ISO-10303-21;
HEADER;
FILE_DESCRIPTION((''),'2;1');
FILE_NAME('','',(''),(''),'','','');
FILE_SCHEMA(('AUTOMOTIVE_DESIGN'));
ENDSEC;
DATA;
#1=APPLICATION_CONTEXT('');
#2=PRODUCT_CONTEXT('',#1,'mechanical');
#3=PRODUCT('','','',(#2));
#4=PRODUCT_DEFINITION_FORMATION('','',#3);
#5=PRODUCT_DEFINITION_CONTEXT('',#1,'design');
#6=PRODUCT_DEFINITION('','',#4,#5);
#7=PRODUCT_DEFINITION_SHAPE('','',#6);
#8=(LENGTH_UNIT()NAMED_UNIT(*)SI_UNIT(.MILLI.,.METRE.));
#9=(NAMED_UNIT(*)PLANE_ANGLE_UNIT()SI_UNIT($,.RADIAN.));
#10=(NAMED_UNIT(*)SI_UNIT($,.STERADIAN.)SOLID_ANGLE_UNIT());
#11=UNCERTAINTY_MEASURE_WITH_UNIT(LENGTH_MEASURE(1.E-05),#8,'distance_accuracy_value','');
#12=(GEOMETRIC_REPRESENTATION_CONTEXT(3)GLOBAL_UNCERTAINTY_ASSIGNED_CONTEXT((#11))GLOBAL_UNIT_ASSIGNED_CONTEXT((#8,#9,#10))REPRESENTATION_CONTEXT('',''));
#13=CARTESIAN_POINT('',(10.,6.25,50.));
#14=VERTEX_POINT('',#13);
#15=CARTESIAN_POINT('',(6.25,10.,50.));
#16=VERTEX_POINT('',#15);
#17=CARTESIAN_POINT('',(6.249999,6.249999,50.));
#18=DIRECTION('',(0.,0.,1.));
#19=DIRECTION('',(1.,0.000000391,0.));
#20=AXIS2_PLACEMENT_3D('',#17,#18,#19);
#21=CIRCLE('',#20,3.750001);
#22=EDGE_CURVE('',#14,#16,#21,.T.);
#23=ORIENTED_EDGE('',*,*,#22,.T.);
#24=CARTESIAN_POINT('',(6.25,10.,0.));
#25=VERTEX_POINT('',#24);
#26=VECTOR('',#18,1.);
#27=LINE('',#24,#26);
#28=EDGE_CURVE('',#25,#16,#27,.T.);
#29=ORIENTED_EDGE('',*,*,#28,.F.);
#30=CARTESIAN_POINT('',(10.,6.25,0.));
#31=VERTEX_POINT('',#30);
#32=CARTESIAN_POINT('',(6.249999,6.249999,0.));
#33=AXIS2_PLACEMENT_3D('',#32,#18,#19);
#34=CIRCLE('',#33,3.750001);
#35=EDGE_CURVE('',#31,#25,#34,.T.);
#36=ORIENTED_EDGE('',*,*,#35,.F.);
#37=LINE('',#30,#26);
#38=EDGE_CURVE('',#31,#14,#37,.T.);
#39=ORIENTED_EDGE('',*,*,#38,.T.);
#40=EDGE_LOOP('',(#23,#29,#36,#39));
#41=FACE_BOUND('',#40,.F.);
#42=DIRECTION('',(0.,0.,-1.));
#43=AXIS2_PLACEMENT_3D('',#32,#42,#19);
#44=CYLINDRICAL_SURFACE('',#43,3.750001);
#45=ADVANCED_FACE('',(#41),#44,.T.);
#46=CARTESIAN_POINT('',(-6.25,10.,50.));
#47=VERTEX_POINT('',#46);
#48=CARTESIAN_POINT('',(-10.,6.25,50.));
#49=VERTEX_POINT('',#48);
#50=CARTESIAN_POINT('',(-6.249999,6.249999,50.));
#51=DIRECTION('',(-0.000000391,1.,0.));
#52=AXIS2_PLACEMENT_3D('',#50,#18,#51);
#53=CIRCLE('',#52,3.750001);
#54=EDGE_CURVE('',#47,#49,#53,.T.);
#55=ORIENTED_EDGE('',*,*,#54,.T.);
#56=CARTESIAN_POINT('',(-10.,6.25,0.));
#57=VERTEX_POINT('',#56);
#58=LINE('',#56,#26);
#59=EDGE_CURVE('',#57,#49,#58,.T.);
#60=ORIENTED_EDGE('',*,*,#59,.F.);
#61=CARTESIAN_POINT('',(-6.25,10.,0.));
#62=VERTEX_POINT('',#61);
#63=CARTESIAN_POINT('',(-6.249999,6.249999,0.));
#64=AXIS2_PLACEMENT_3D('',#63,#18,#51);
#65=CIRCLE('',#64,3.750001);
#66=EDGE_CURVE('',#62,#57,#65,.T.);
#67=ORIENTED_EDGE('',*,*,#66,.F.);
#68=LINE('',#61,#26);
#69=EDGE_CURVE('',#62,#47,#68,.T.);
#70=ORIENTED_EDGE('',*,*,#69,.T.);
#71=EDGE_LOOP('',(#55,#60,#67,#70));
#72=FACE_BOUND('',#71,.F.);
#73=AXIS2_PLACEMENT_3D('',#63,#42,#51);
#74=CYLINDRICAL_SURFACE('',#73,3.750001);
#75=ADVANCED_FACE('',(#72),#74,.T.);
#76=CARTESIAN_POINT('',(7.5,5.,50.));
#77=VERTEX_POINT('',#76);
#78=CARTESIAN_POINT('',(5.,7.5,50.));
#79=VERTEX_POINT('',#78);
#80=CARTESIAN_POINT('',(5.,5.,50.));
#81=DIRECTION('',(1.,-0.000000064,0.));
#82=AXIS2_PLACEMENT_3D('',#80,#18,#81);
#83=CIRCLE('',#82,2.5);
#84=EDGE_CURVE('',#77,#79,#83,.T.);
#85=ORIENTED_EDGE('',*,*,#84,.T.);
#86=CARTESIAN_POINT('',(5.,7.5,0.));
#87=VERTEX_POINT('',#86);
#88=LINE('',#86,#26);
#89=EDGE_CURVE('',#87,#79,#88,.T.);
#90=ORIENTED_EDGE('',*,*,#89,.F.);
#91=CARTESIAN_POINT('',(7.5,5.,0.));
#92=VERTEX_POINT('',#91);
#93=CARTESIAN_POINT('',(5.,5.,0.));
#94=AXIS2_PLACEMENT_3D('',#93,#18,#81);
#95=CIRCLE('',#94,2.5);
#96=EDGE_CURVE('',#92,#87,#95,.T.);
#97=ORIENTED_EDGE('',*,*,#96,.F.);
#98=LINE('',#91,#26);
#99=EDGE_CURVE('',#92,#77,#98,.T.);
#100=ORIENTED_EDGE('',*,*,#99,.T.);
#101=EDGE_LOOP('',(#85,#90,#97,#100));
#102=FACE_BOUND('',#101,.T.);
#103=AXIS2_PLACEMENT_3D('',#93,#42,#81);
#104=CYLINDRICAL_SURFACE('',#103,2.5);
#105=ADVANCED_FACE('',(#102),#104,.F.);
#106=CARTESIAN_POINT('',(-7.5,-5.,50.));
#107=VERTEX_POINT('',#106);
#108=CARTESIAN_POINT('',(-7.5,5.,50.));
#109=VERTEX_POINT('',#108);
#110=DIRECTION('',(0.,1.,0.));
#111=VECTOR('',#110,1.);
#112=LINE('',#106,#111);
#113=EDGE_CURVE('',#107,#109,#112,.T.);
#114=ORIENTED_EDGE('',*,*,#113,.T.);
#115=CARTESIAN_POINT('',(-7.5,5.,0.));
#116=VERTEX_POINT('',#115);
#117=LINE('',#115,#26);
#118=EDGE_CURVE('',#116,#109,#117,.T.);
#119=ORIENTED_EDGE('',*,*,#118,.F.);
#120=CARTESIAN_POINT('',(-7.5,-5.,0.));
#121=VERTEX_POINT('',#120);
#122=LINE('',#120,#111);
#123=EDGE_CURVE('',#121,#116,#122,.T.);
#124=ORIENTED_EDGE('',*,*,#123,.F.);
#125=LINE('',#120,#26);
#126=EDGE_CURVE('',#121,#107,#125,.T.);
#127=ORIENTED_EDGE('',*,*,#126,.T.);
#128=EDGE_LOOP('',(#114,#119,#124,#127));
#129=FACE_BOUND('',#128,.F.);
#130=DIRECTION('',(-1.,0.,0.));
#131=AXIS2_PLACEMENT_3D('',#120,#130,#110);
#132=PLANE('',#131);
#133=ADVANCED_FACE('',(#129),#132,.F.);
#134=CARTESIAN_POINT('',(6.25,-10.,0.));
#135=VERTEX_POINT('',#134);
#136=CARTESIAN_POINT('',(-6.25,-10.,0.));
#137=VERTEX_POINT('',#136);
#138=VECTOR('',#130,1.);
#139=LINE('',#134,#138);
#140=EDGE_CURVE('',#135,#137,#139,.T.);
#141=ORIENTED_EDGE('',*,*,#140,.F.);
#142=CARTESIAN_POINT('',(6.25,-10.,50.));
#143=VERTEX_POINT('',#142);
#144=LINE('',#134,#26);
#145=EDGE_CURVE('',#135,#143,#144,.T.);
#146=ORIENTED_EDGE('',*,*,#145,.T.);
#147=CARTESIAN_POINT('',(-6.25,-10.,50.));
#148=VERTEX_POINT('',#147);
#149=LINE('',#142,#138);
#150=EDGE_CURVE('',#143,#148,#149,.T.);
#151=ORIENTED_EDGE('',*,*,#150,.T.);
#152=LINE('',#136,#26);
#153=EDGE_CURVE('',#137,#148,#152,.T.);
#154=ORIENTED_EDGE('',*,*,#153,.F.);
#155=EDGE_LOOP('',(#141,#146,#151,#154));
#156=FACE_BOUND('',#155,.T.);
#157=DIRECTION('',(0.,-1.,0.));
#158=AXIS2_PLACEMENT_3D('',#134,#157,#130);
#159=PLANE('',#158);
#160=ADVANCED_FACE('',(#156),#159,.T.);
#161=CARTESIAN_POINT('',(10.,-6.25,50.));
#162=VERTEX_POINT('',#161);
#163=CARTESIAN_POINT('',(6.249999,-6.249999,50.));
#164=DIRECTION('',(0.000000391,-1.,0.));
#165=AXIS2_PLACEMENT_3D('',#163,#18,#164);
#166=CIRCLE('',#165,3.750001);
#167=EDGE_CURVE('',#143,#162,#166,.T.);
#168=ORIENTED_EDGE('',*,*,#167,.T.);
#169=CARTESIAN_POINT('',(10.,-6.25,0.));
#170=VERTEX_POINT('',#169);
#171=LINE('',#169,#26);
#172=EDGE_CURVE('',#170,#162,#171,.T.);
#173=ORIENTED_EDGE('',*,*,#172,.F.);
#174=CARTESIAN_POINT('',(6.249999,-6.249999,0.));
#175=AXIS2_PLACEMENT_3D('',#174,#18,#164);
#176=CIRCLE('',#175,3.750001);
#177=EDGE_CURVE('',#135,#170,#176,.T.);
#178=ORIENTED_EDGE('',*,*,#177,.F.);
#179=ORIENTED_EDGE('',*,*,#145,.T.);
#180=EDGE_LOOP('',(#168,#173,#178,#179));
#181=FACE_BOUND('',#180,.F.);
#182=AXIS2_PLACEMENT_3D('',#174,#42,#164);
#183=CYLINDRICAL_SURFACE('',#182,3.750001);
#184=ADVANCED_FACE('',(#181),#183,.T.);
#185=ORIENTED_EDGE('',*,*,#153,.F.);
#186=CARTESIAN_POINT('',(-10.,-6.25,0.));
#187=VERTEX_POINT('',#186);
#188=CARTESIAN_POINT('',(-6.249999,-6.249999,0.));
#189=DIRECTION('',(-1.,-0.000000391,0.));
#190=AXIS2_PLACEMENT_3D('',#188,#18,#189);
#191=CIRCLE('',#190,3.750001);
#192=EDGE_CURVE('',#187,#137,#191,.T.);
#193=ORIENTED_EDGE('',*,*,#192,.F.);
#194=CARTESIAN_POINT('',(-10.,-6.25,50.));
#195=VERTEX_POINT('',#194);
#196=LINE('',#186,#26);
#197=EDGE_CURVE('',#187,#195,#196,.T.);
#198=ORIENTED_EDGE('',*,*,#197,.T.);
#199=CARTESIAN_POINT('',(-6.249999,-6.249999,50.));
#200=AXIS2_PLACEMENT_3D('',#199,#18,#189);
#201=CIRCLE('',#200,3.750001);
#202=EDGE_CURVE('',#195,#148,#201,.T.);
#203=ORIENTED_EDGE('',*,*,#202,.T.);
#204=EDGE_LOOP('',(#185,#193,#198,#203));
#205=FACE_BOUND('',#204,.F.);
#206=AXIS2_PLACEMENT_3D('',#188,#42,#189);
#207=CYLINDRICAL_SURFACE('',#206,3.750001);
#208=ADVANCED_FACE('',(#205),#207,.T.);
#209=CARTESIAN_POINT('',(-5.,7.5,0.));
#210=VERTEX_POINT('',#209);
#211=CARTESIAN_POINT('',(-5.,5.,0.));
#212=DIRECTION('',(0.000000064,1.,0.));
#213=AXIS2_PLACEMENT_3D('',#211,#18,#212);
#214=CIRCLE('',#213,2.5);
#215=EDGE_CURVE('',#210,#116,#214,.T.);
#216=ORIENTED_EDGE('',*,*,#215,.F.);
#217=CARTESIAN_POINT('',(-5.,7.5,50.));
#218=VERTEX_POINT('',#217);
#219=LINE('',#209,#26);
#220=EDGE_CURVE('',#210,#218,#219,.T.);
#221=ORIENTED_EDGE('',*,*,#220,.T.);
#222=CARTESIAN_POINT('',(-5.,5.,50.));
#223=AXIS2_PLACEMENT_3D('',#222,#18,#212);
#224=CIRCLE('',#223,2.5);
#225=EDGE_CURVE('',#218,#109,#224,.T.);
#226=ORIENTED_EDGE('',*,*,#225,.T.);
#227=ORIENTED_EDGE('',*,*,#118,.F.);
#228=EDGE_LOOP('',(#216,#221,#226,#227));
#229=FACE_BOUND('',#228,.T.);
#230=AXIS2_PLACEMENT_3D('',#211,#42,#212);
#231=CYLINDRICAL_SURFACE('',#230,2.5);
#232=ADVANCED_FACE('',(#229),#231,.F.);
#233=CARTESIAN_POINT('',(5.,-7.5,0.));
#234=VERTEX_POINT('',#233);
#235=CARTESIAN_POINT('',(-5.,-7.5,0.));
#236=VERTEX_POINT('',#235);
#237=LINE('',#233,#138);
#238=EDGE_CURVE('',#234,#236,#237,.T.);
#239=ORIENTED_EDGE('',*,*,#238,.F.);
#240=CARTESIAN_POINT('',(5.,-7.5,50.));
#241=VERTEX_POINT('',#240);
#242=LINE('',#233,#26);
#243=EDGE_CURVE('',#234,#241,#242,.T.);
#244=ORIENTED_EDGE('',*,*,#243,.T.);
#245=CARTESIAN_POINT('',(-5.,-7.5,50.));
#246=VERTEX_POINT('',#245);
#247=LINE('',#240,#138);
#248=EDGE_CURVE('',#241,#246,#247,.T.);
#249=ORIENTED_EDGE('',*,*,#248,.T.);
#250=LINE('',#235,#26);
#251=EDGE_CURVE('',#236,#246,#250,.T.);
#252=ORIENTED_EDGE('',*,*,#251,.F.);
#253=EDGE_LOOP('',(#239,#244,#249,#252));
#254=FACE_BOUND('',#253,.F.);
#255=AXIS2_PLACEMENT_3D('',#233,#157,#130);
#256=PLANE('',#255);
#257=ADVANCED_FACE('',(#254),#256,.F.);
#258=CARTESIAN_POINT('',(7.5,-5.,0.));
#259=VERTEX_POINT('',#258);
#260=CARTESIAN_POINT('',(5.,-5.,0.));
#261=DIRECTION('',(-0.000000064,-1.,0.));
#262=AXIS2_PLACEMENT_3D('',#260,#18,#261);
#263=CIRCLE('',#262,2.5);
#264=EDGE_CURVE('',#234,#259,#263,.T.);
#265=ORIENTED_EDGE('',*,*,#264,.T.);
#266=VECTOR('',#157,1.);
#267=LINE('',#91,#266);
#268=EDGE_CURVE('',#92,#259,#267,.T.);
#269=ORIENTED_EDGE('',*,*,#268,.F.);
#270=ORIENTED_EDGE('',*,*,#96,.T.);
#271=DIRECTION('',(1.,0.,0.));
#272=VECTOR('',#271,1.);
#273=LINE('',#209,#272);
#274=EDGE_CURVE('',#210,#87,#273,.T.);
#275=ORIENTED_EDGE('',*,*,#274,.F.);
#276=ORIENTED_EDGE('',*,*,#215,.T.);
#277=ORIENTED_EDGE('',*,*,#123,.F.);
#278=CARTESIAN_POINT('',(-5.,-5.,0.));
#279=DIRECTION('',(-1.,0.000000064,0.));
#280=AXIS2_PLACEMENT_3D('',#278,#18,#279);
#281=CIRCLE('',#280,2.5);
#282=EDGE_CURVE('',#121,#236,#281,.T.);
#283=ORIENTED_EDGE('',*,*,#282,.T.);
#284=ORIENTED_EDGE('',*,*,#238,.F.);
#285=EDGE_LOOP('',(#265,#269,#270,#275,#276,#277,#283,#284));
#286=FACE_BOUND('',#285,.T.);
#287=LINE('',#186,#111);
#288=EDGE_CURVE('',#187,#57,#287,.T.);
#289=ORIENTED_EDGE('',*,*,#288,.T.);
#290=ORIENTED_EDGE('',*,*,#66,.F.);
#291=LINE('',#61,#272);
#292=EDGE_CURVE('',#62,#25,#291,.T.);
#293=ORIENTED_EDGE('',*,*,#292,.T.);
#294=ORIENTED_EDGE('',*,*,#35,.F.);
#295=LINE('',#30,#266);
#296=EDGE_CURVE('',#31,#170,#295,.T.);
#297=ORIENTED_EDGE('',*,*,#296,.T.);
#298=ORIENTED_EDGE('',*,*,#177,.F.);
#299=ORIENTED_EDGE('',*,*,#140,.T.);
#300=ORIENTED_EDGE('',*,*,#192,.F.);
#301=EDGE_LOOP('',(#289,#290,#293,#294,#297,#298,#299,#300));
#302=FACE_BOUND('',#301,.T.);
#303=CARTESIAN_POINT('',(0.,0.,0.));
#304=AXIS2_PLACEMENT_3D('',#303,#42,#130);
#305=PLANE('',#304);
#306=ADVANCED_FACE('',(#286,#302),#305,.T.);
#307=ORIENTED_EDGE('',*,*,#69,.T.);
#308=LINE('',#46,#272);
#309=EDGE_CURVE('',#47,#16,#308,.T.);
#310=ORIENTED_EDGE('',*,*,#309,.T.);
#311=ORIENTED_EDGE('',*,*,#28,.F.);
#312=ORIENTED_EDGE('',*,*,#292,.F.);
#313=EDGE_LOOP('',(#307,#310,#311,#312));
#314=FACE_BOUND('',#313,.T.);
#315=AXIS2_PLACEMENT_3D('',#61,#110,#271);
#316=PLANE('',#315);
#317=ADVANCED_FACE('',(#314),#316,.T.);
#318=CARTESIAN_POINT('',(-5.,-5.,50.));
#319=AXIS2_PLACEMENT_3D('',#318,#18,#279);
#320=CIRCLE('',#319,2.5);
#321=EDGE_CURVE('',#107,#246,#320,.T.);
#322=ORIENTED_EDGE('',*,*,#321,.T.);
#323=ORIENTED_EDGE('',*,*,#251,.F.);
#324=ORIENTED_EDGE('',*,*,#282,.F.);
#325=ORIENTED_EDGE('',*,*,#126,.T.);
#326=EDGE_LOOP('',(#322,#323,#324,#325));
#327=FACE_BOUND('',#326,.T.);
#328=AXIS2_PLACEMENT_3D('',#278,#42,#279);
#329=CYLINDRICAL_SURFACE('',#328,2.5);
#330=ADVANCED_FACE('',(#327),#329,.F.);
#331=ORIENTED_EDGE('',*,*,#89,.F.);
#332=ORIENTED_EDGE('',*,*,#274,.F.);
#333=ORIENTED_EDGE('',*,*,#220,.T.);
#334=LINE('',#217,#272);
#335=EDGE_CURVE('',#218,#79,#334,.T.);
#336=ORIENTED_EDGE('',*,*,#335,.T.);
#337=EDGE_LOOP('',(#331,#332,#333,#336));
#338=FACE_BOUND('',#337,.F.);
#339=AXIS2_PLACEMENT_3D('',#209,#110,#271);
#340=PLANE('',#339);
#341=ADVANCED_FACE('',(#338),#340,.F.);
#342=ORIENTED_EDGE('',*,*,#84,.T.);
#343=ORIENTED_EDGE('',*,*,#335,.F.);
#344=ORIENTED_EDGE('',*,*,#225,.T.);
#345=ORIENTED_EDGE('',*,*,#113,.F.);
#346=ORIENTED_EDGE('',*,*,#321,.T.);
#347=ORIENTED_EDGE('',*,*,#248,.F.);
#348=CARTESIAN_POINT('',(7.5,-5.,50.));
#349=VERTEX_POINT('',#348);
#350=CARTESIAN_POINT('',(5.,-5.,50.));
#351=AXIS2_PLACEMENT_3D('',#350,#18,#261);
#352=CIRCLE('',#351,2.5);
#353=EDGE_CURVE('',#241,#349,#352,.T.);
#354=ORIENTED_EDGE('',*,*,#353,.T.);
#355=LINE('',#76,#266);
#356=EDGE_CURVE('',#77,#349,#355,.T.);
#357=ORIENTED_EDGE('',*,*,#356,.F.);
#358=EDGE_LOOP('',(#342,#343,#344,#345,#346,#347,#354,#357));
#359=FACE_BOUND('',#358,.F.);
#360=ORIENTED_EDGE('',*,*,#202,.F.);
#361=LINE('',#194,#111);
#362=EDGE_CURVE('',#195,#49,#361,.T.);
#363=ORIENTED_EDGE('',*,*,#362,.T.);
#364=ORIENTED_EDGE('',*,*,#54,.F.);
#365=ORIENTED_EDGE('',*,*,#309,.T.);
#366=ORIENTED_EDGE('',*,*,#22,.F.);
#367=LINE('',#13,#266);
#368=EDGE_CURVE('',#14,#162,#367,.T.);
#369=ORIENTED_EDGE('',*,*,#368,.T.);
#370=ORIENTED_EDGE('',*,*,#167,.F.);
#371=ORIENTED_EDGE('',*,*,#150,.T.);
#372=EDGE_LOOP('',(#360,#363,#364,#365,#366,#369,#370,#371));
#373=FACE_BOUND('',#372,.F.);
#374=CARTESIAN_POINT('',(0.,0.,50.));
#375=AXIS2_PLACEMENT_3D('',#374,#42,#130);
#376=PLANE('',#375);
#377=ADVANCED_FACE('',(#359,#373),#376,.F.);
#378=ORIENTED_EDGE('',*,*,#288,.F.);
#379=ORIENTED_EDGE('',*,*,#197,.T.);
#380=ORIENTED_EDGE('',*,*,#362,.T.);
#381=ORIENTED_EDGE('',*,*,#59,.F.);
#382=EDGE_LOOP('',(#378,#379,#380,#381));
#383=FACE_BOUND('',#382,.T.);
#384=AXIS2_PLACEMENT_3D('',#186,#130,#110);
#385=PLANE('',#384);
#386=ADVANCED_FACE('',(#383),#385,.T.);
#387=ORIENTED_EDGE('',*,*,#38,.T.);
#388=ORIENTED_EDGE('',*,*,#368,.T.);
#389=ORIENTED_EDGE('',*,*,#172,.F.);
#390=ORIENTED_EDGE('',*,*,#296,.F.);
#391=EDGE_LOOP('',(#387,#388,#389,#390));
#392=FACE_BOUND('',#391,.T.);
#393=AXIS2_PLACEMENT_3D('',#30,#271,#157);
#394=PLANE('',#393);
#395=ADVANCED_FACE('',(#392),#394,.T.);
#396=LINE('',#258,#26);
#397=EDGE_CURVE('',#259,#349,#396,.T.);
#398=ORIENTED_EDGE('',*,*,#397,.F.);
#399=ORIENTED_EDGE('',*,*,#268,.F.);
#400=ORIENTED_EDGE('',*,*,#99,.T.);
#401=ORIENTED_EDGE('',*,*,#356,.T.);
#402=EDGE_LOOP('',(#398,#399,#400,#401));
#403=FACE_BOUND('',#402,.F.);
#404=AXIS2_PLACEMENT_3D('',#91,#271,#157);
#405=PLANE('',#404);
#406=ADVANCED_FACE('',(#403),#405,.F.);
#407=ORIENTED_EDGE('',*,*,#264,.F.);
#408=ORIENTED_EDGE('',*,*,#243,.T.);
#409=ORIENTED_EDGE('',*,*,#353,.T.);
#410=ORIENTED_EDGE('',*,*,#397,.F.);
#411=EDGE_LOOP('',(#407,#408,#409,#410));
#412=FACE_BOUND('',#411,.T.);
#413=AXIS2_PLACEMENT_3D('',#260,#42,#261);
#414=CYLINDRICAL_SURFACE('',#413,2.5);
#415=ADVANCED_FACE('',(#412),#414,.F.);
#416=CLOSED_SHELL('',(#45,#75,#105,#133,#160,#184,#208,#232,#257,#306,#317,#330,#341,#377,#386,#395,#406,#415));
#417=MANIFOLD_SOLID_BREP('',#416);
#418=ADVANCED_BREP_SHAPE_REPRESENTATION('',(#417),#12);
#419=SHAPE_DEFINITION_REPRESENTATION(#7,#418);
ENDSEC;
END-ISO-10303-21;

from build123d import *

# Parameters (mm, degrees)
EXTRUDE_DEPTH = 50


with BuildPart() as part:
    # Sketch → Extrude (new body)
    with BuildSketch(Plane.XY):
        with BuildLine():
            Line((-6.25, 10), (6.25, 10))
            ThreePointArc((10, 6.25), (8.90165, 8.90165), (6.25, 10))
            Line((10, 6.25), (10, -6.25))
            ThreePointArc((6.25, -10), (8.90165, -8.90165), (10, -6.25))
            Line((6.25, -10), (-6.25, -10))
            ThreePointArc((-10, -6.25), (-8.90165, -8.90165), (-6.25, -10))
            Line((-10, -6.25), (-10, 6.25))
            ThreePointArc((-6.25, 10), (-8.90165, 8.90165), (-10, 6.25))
        make_face()
        with BuildLine():
            Line((-5, 7.5), (5, 7.5))
            ThreePointArc((7.5, 5), (6.767767, 6.767767), (5, 7.5))
            Line((7.5, 5), (7.5, -5))
            ThreePointArc((5, -7.5), (6.767767, -6.767767), (7.5, -5))
            Line((5, -7.5), (-5, -7.5))
            ThreePointArc((-7.5, -5), (-6.767767, -6.767767), (-5, -7.5))
            Line((-7.5, -5), (-7.5, 5))
            ThreePointArc((-5, 7.5), (-6.767767, 6.767767), (-7.5, 5))
        make_face(mode=Mode.SUBTRACT)
    extrude(amount=EXTRUDE_DEPTH)


solid = part.part
